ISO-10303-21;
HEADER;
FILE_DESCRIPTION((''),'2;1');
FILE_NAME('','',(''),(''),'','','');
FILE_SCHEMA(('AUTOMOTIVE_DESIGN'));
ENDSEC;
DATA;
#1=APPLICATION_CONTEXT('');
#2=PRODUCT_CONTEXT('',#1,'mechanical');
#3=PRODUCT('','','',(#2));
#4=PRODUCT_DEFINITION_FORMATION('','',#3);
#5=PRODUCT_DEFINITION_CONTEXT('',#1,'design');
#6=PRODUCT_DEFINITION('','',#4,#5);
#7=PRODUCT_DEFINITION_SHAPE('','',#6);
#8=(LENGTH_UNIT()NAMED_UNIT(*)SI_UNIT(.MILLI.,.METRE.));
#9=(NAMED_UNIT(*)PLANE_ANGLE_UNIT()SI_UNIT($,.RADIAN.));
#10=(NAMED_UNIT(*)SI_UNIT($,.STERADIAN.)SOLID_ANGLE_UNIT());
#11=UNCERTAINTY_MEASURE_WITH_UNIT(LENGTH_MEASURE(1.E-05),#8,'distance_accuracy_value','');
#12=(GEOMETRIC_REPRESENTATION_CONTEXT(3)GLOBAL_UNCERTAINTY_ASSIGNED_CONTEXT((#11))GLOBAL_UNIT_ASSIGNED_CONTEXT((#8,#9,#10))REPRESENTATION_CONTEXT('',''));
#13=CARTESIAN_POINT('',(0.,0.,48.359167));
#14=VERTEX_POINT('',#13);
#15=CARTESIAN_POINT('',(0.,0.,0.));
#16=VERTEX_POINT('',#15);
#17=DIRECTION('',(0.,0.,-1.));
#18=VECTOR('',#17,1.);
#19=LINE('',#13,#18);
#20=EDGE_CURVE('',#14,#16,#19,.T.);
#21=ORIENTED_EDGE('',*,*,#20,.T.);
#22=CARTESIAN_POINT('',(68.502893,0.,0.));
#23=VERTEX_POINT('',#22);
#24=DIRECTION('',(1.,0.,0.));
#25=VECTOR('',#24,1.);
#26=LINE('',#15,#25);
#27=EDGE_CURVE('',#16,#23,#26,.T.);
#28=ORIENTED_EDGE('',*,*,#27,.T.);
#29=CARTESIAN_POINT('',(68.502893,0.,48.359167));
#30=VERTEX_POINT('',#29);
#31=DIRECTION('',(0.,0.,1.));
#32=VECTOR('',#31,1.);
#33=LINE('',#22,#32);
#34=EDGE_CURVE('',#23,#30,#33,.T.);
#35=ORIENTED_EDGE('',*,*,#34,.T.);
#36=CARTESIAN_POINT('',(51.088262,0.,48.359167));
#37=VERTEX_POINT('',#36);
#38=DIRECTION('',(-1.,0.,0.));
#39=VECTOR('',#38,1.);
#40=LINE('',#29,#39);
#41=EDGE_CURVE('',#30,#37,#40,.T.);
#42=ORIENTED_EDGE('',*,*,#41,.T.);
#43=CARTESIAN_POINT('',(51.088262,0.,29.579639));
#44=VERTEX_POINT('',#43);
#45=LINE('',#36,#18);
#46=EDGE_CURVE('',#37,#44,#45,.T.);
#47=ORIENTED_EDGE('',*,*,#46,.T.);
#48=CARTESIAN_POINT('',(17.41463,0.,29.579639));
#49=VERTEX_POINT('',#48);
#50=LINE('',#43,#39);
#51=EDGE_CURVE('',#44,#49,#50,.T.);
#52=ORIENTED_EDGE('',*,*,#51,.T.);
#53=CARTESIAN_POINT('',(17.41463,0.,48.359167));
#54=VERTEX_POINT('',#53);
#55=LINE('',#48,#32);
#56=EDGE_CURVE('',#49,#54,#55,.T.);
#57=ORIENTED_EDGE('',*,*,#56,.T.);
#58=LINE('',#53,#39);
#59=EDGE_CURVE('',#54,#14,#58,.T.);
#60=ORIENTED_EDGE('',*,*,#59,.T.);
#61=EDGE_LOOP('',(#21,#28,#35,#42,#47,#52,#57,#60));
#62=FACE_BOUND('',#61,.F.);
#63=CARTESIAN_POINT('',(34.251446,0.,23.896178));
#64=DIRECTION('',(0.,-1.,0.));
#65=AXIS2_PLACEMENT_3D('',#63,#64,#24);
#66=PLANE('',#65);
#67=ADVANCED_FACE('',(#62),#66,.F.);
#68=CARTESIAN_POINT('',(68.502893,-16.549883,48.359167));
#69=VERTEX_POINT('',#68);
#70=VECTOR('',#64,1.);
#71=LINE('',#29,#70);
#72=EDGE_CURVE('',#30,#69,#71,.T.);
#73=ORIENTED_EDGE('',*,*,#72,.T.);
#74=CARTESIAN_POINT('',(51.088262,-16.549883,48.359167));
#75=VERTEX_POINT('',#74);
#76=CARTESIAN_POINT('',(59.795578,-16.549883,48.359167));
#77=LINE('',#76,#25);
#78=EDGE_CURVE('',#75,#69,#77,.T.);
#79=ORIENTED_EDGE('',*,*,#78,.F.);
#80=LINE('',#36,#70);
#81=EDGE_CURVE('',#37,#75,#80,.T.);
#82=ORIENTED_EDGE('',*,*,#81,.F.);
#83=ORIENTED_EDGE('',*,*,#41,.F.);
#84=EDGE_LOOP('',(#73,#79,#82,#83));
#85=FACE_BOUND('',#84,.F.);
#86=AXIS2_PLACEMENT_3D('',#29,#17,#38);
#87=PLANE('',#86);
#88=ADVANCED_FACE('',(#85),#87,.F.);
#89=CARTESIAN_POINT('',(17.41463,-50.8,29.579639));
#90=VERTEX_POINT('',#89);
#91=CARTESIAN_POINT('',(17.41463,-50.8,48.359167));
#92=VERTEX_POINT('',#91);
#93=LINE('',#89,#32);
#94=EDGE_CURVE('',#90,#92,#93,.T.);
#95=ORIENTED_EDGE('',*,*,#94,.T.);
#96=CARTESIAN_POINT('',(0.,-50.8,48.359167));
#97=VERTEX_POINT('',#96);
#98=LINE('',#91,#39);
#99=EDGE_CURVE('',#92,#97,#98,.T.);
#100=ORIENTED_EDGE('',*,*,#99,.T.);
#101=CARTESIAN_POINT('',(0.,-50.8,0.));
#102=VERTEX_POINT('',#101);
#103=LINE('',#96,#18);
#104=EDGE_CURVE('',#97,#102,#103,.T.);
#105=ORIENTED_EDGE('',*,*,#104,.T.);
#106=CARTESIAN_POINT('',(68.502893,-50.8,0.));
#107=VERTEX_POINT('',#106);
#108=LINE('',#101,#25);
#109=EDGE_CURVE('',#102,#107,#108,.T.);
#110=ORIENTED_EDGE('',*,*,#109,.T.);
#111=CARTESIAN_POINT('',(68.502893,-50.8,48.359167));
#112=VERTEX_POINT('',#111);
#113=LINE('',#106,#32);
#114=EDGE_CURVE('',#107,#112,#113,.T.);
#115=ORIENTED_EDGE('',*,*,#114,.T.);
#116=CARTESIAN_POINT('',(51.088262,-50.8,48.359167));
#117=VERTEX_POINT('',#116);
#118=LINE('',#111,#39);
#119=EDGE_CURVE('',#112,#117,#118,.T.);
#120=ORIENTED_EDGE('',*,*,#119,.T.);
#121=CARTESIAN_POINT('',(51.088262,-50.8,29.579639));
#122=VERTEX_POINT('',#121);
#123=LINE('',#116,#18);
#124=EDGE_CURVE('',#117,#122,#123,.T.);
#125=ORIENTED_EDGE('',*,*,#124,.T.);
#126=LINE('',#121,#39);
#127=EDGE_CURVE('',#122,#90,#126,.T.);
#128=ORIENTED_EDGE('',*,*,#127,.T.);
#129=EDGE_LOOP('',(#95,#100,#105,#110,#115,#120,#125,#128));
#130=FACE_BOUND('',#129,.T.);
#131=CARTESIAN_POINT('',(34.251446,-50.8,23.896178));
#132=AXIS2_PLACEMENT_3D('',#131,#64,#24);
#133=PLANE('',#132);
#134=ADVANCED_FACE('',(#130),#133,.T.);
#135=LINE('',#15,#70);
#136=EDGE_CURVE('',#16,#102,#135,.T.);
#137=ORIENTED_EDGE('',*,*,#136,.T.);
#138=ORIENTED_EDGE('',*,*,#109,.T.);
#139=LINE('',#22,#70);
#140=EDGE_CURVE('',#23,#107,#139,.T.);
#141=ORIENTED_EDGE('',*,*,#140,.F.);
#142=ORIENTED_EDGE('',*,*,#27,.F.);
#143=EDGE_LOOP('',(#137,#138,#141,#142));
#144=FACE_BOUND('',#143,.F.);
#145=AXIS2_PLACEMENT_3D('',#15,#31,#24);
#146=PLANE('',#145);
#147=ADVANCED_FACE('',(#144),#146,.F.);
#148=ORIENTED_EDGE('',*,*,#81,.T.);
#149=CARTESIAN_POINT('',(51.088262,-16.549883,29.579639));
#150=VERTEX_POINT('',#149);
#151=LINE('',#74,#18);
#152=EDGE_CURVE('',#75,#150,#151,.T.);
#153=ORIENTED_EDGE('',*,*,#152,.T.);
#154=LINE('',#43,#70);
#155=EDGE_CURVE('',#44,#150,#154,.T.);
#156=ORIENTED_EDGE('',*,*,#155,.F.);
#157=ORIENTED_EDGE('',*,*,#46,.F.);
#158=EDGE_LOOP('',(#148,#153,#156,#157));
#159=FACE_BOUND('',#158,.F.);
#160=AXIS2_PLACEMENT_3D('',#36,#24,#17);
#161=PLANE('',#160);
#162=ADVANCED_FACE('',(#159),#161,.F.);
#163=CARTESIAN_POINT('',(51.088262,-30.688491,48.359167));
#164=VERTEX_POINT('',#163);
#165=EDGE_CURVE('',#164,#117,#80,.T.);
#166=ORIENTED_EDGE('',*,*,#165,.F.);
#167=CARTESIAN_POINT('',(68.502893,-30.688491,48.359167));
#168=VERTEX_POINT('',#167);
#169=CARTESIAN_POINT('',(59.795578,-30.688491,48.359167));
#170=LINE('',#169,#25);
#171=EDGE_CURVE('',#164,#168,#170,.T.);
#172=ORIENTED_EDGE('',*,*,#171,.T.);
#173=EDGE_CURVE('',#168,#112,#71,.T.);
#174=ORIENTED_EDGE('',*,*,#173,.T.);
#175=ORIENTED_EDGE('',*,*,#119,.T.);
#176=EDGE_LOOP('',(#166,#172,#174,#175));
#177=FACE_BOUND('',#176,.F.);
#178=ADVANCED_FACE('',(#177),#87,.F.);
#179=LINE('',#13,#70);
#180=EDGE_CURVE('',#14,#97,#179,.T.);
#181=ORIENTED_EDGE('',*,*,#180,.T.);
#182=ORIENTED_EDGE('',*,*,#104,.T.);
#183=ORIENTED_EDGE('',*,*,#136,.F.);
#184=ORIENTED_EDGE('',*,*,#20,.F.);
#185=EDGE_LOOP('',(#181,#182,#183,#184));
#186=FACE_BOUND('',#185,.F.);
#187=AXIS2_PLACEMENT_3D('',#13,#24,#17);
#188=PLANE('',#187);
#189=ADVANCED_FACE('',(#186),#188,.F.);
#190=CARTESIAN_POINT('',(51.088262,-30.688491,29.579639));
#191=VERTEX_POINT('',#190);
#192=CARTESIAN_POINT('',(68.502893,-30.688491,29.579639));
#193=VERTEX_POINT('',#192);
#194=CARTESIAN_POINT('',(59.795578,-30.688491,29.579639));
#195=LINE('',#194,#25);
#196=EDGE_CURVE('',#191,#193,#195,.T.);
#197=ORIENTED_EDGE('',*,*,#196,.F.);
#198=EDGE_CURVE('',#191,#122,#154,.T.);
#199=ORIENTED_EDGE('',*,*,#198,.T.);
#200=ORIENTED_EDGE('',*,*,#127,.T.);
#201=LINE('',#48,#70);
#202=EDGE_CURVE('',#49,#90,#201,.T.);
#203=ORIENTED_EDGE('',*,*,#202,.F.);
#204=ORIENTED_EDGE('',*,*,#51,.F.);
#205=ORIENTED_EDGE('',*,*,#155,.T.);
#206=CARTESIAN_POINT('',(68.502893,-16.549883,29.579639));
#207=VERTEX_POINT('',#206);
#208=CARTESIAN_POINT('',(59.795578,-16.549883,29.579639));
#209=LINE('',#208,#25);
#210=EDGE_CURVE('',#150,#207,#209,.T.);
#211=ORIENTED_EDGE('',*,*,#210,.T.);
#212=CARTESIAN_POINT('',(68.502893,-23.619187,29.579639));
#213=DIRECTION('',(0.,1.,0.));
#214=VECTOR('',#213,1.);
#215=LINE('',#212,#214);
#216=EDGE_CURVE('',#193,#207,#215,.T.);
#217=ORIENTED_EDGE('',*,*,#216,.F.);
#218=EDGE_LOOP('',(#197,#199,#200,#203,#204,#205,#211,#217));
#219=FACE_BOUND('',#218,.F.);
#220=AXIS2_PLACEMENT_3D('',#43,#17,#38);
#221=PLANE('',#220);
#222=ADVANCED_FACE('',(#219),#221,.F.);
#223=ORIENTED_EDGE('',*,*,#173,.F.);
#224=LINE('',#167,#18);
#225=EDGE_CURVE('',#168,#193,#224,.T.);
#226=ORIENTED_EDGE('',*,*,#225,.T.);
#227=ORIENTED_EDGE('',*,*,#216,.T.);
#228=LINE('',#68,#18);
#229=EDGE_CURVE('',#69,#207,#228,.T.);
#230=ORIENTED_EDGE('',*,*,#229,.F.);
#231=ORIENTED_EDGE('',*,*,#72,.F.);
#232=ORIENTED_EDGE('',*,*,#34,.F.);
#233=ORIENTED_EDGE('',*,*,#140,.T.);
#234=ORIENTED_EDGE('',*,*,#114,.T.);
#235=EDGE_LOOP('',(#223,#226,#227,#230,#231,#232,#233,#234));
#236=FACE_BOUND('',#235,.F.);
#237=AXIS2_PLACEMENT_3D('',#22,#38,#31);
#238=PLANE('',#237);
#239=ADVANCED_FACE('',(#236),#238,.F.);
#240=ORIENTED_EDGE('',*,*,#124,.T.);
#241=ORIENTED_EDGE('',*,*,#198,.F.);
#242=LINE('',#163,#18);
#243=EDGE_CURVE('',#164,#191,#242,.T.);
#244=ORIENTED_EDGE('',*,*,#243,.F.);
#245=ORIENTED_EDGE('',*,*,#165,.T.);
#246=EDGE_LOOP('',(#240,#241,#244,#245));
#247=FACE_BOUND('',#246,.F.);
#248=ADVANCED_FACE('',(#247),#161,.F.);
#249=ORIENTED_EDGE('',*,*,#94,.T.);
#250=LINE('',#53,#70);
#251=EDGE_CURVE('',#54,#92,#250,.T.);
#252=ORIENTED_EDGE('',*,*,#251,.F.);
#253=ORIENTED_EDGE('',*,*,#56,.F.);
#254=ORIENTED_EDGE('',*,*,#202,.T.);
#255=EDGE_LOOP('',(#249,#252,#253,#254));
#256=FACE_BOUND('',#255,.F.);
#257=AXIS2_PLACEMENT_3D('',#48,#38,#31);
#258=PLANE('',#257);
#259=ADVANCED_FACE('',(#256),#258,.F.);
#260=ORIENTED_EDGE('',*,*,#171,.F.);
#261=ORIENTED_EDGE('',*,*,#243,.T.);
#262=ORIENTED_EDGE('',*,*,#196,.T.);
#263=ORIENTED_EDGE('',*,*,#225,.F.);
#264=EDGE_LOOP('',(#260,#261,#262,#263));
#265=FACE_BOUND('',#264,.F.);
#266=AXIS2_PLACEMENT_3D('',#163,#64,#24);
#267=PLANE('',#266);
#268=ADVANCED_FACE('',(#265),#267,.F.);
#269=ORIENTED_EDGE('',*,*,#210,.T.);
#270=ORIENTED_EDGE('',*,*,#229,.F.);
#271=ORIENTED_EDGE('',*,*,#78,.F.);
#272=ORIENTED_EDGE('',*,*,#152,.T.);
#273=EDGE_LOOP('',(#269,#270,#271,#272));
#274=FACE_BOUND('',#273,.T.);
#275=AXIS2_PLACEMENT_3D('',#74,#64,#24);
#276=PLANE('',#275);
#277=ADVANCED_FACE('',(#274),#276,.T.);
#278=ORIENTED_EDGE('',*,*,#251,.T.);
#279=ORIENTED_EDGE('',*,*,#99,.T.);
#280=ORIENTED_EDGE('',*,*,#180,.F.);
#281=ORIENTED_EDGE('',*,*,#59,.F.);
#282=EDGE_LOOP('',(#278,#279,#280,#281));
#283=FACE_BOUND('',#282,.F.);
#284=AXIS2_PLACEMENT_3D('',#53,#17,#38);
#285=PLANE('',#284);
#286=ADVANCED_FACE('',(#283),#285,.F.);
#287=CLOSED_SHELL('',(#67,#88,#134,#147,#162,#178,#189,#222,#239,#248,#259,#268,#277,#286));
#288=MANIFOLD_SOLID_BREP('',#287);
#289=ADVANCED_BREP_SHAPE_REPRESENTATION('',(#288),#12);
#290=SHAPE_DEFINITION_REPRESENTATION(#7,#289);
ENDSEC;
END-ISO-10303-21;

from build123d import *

# Parameters (mm, degrees)
F1_DEPTH = 50.8
F2_W     = 17.4146303907
F2_H     = 14.1386073083
F3_DEPTH = 18.779527396


with BuildPart() as f1:
    # F0 (on Front) → F1 (new body)
    with BuildSketch(Plane.XZ):
        Polygon((0, 48.3591668308), (0, 0), (68.5028927401, 0), (68.5028927401, 48.3591668308), (51.0882623494, 48.3591668308), (51.0882623494, 29.5796394348), (17.4146303907, 29.5796394348), (17.4146303907, 48.3591668308), align=None)
    extrude(amount=F1_DEPTH)

    # F2 (on face) → F3 (cut, through all)
    with BuildSketch(Plane.XY.offset(48.3591668308)):
        with Locations((59.7955775447, -23.6191870645)):
            Rectangle(F2_W, F2_H)
    extrude(amount=-F3_DEPTH, mode=Mode.SUBTRACT)


solid = f1.part
